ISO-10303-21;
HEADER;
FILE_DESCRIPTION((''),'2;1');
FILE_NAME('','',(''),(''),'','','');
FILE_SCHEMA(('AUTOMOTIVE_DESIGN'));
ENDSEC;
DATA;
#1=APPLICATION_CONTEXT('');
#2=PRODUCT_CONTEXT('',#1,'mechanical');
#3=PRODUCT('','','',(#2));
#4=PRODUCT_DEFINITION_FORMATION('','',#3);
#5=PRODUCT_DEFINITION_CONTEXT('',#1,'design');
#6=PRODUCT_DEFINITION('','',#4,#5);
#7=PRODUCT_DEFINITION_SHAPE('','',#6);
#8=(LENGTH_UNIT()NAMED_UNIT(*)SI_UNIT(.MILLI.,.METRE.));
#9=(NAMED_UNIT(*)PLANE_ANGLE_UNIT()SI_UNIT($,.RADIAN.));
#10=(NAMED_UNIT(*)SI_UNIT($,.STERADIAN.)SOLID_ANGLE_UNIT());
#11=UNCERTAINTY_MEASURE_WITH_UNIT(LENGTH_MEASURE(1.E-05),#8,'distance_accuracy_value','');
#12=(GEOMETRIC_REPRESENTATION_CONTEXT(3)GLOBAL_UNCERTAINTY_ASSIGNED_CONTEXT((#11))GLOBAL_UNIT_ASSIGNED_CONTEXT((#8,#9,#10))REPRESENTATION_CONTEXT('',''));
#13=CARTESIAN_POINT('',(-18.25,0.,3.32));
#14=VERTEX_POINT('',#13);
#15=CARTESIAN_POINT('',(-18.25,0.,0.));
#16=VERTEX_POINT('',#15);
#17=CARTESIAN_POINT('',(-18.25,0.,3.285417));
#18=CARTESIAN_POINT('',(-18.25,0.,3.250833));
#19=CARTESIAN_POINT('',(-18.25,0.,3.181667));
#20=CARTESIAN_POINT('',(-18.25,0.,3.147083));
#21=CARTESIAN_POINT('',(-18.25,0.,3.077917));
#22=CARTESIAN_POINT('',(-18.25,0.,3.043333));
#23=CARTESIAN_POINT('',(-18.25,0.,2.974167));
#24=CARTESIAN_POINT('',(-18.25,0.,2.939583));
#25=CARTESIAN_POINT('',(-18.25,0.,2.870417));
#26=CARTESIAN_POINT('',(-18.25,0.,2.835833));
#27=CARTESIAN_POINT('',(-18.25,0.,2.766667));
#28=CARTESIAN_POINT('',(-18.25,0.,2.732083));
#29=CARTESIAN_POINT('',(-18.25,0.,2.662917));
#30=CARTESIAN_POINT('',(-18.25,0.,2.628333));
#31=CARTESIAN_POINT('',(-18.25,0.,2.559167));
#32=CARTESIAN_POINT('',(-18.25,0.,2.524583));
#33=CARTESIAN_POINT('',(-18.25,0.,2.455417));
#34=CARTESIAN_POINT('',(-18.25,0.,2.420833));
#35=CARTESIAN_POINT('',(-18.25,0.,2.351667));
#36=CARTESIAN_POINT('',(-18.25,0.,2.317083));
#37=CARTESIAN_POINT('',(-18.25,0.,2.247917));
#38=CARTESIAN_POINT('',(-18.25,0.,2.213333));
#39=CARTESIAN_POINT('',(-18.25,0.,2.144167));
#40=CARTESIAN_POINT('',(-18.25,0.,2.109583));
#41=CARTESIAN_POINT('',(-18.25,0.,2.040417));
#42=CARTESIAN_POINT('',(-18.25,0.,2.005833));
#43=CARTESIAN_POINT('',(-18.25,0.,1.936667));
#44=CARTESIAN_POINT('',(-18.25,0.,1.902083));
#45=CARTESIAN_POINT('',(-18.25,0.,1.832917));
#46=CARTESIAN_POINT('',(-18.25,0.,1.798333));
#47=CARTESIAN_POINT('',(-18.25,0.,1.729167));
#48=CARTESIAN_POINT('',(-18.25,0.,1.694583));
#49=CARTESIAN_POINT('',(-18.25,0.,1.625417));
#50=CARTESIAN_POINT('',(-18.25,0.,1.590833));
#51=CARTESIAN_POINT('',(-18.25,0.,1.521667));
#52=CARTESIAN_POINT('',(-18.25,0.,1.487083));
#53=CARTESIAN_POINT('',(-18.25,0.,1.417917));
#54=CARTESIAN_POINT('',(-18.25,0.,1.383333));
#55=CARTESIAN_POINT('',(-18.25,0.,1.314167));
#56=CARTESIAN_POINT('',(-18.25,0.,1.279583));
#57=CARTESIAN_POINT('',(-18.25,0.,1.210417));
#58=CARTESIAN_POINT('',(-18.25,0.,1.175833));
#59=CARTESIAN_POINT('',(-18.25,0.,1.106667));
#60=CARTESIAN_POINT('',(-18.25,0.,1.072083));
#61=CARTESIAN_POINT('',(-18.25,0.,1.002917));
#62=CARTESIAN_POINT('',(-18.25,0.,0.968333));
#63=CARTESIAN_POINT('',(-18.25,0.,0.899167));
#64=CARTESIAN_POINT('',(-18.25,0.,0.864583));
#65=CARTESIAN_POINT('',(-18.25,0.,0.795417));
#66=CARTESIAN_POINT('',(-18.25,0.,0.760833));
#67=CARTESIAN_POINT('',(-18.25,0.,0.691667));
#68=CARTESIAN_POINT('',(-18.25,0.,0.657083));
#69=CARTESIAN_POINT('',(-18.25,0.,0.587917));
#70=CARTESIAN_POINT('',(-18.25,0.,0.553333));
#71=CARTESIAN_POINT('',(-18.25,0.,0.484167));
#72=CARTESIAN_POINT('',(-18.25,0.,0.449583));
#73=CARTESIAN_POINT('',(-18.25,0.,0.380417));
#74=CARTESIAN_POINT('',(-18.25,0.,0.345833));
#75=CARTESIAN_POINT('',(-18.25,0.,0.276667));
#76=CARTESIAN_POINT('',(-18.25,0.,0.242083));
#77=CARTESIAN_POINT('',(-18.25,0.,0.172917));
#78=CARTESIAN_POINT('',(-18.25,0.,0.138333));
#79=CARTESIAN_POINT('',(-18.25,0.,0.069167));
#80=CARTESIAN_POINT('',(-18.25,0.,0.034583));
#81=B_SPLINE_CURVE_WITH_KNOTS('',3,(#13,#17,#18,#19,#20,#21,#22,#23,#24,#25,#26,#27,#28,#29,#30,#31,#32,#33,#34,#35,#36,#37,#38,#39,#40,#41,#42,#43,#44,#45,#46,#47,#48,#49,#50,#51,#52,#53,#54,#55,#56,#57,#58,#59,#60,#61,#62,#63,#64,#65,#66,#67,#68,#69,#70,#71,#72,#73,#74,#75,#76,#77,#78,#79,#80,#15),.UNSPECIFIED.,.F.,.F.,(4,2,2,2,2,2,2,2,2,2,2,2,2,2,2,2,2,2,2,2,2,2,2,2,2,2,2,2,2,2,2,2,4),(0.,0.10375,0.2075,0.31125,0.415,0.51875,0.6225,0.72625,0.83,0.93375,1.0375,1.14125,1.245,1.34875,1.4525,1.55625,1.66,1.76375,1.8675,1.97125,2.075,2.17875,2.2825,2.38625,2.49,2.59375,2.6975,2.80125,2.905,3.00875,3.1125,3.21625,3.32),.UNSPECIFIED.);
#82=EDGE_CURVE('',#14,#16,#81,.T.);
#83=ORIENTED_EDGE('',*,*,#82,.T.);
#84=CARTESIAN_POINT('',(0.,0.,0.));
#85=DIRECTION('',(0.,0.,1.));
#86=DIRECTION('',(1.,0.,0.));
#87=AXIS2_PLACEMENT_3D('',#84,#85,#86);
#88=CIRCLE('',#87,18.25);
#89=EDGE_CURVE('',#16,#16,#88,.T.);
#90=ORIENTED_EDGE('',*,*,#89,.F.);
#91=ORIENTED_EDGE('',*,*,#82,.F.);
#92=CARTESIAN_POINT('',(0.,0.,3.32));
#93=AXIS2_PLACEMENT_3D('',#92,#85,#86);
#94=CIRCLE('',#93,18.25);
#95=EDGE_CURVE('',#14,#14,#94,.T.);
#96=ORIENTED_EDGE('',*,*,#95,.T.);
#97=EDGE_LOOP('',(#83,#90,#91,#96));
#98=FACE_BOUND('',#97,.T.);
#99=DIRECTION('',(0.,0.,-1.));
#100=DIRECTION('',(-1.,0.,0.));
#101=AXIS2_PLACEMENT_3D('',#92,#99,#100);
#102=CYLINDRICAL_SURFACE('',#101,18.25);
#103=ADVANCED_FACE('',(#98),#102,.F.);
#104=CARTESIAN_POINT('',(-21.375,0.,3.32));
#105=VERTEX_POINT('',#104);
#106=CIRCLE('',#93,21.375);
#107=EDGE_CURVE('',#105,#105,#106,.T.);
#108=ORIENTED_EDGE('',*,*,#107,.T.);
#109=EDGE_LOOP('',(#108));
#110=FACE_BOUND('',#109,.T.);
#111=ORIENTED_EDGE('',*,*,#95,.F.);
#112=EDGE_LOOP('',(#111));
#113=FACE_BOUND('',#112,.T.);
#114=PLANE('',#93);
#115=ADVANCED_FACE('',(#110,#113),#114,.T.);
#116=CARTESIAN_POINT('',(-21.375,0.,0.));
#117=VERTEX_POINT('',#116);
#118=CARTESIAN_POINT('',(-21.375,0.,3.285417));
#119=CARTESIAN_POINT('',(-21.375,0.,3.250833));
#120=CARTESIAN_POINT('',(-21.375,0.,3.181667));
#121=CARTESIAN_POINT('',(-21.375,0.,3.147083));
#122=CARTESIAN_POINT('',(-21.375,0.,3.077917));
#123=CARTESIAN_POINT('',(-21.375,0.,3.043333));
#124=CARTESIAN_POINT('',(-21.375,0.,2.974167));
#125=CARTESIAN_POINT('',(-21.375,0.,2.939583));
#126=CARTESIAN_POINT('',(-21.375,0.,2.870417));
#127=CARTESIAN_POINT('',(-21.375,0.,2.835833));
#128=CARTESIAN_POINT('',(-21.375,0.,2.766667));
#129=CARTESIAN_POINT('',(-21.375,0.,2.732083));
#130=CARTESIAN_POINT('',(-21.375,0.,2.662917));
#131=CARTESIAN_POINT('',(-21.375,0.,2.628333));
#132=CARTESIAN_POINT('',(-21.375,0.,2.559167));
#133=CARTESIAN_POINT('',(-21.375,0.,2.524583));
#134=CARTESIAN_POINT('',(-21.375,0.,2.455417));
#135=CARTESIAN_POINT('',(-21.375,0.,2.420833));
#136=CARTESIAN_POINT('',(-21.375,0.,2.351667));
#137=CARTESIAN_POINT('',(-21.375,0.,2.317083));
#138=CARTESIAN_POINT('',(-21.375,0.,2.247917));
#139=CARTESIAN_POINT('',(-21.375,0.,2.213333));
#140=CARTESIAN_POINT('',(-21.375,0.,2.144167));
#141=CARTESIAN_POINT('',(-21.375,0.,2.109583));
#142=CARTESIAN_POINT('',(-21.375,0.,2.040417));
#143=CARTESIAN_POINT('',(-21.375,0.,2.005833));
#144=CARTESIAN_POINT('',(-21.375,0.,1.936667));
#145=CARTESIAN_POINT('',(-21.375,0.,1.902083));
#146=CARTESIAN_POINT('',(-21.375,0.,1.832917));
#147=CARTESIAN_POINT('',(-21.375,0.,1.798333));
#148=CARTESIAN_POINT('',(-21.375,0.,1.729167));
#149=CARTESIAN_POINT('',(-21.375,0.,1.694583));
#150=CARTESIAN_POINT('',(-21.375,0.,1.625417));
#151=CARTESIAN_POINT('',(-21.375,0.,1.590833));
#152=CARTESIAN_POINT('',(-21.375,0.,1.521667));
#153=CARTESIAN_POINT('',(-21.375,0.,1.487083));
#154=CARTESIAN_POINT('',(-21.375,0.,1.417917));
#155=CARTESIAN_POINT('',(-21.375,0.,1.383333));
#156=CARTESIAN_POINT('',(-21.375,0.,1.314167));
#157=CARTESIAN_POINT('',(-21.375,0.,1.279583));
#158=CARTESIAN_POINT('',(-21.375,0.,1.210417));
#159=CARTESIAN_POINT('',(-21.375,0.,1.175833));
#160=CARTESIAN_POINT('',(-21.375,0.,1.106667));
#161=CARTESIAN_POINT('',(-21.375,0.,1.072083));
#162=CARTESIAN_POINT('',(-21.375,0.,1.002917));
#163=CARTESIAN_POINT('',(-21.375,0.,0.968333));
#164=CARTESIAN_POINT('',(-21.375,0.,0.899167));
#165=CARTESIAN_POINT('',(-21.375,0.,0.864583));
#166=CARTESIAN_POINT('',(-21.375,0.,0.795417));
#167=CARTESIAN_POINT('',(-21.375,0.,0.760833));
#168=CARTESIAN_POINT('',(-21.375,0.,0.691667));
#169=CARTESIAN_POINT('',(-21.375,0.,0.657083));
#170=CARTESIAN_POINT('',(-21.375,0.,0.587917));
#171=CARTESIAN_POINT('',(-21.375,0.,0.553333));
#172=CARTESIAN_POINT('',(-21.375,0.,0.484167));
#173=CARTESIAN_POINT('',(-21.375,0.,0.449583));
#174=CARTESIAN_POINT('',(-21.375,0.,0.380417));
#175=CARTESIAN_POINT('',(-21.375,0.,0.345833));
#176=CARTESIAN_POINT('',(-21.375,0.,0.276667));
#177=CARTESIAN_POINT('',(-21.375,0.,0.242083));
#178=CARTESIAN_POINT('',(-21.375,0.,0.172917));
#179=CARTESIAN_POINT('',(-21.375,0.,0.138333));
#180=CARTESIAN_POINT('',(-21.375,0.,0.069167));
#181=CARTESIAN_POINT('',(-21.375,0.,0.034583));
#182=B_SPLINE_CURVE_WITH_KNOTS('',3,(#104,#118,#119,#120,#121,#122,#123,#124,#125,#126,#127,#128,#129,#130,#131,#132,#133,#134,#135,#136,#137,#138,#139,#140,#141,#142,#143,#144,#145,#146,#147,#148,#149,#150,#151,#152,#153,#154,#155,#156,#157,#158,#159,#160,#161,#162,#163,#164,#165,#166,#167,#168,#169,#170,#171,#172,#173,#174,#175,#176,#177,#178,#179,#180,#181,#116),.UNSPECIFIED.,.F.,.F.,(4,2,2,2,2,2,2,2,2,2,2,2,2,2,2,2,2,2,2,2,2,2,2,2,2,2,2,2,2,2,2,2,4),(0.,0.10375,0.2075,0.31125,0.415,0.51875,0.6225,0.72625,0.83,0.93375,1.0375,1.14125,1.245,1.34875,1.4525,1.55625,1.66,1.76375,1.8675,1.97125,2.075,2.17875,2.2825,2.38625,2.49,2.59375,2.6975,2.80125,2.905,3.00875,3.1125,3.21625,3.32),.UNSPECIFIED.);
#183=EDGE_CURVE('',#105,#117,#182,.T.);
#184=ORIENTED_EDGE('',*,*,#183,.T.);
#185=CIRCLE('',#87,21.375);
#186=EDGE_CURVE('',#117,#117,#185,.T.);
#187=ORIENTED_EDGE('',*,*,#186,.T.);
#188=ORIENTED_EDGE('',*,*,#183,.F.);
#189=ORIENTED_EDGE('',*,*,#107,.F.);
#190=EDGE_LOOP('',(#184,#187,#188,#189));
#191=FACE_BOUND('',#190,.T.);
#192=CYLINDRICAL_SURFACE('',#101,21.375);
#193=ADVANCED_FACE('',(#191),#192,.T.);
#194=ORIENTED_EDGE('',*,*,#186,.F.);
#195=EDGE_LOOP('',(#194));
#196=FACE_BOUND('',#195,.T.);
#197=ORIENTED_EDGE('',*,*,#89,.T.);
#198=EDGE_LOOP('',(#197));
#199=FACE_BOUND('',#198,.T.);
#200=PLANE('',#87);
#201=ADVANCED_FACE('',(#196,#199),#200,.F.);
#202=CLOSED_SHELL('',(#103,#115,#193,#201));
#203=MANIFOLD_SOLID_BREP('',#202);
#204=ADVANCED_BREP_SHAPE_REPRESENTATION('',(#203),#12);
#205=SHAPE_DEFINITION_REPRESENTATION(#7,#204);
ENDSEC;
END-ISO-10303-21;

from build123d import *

# Parameters (mm, degrees)
SKETCH1_R           = 21.375
SKETCH1_R_2         = 18.25
BOSS_EXTRUDE1_DEPTH = 3.32


with BuildPart() as part:
    # Sketch1 → Boss-Extrude1 (new body)
    with BuildSketch(Plane.XY):
        with Locations(Location((0, 0, 0), (0, 0, 180))):
            Circle(SKETCH1_R)
        with Locations(Location((0, 0, 0), (0, 0, 180))):
            Circle(SKETCH1_R_2, mode=Mode.SUBTRACT)
    extrude(amount=BOSS_EXTRUDE1_DEPTH)


solid = part.part
